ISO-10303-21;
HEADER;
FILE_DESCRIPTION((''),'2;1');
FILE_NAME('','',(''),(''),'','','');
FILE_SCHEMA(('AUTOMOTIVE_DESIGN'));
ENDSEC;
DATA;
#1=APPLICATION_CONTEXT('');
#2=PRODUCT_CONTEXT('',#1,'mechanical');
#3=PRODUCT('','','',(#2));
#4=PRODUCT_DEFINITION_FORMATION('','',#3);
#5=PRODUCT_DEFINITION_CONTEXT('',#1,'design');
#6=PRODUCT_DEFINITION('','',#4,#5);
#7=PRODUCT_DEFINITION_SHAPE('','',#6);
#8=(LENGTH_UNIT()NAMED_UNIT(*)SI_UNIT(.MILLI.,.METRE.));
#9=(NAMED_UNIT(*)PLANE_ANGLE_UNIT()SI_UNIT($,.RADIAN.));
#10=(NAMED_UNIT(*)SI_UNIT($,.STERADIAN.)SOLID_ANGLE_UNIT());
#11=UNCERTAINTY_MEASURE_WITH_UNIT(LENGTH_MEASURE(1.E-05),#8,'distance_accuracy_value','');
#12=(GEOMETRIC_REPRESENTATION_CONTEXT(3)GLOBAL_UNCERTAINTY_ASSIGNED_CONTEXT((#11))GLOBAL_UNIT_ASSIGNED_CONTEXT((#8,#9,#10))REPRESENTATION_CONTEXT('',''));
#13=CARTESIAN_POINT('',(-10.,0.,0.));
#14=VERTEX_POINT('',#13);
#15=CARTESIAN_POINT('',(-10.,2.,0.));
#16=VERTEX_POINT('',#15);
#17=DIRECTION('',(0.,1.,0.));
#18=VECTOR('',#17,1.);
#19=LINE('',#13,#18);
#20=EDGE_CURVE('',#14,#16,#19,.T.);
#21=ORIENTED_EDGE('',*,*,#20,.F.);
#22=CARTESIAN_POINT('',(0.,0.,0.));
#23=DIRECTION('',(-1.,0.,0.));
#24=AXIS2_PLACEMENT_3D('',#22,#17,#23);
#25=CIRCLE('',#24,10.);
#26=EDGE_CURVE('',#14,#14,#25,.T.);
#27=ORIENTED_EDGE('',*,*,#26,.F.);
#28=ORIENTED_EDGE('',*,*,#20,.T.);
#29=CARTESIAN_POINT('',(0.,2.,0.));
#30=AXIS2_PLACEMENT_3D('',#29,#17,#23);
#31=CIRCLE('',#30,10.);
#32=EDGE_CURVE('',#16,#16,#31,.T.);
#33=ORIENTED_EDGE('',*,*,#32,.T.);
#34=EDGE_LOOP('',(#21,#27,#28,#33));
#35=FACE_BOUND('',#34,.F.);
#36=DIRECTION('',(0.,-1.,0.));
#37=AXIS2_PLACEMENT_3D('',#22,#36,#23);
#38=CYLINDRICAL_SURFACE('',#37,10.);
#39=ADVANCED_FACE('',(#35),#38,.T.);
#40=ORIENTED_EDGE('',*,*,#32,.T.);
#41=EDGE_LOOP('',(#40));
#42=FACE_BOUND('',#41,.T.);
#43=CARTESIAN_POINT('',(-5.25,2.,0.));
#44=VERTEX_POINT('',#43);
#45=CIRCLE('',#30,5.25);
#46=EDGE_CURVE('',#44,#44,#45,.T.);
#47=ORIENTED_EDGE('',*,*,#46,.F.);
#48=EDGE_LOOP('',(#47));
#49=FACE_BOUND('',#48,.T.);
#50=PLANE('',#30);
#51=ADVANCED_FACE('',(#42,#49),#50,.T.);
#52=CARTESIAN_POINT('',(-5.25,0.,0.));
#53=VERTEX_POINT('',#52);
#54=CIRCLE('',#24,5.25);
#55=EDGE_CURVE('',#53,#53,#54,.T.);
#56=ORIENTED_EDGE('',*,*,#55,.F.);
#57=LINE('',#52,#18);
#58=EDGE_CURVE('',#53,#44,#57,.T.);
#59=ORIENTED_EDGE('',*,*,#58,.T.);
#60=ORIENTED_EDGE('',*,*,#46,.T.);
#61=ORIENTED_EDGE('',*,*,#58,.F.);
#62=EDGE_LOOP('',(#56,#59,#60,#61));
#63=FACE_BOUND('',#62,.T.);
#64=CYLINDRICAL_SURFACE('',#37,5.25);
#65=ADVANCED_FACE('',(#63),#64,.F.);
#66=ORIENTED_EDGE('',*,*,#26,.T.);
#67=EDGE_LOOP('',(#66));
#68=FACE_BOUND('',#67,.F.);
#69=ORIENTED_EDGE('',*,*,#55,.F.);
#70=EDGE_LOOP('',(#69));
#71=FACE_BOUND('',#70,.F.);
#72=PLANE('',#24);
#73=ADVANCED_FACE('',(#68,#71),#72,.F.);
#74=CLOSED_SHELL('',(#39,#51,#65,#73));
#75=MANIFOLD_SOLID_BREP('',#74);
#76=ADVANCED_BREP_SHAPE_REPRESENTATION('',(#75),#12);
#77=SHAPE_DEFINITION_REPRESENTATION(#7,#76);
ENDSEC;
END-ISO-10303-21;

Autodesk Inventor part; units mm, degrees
ref_plane "YZ Plane" through (0, 0, 0) normal (1, 0, 0) x (0, 1, 0)
ref_plane "XZ Plane" through (0, 0, 0) normal (0, 1, 0) x (-1, 0, 0)
ref_plane "XY Plane" through (0, 0, 0) normal (0, 0, 1) x (1, 0, 0)
sketch "Sketch1" plane through (0, 0, 0) normal (0, 1, 0) x (-1, 0, 0)
  circle A0 centre (0, 0) radius 5.25
  circle A1 centre (0, 0) radius 10
  dimension "d0" = 10.5
  dimension "d1" = 20
extrude "Extrusion1" add sketch "Sketch1" along normal blind 2
equation "\"BendRadius\" = Thickness"
equation "\"BendReliefWidth\" = Thickness"
equation "\"BendReliefDepth\" = 0.5 * Thickness"
equation "\"CornerReliefSize\" = 4 * Thickness"
equation "\"MinimumRemnant\" = 2 * Thickness"
equation "\"TransitionRadius\" = BendRadius"
equation "\"JacobiRadiusSize\" = BendRadius"
equation "\"GapSize\" = Thickness"
equation "\"Thickness\" = 0.5"
properties part number "Washer ID 10"
